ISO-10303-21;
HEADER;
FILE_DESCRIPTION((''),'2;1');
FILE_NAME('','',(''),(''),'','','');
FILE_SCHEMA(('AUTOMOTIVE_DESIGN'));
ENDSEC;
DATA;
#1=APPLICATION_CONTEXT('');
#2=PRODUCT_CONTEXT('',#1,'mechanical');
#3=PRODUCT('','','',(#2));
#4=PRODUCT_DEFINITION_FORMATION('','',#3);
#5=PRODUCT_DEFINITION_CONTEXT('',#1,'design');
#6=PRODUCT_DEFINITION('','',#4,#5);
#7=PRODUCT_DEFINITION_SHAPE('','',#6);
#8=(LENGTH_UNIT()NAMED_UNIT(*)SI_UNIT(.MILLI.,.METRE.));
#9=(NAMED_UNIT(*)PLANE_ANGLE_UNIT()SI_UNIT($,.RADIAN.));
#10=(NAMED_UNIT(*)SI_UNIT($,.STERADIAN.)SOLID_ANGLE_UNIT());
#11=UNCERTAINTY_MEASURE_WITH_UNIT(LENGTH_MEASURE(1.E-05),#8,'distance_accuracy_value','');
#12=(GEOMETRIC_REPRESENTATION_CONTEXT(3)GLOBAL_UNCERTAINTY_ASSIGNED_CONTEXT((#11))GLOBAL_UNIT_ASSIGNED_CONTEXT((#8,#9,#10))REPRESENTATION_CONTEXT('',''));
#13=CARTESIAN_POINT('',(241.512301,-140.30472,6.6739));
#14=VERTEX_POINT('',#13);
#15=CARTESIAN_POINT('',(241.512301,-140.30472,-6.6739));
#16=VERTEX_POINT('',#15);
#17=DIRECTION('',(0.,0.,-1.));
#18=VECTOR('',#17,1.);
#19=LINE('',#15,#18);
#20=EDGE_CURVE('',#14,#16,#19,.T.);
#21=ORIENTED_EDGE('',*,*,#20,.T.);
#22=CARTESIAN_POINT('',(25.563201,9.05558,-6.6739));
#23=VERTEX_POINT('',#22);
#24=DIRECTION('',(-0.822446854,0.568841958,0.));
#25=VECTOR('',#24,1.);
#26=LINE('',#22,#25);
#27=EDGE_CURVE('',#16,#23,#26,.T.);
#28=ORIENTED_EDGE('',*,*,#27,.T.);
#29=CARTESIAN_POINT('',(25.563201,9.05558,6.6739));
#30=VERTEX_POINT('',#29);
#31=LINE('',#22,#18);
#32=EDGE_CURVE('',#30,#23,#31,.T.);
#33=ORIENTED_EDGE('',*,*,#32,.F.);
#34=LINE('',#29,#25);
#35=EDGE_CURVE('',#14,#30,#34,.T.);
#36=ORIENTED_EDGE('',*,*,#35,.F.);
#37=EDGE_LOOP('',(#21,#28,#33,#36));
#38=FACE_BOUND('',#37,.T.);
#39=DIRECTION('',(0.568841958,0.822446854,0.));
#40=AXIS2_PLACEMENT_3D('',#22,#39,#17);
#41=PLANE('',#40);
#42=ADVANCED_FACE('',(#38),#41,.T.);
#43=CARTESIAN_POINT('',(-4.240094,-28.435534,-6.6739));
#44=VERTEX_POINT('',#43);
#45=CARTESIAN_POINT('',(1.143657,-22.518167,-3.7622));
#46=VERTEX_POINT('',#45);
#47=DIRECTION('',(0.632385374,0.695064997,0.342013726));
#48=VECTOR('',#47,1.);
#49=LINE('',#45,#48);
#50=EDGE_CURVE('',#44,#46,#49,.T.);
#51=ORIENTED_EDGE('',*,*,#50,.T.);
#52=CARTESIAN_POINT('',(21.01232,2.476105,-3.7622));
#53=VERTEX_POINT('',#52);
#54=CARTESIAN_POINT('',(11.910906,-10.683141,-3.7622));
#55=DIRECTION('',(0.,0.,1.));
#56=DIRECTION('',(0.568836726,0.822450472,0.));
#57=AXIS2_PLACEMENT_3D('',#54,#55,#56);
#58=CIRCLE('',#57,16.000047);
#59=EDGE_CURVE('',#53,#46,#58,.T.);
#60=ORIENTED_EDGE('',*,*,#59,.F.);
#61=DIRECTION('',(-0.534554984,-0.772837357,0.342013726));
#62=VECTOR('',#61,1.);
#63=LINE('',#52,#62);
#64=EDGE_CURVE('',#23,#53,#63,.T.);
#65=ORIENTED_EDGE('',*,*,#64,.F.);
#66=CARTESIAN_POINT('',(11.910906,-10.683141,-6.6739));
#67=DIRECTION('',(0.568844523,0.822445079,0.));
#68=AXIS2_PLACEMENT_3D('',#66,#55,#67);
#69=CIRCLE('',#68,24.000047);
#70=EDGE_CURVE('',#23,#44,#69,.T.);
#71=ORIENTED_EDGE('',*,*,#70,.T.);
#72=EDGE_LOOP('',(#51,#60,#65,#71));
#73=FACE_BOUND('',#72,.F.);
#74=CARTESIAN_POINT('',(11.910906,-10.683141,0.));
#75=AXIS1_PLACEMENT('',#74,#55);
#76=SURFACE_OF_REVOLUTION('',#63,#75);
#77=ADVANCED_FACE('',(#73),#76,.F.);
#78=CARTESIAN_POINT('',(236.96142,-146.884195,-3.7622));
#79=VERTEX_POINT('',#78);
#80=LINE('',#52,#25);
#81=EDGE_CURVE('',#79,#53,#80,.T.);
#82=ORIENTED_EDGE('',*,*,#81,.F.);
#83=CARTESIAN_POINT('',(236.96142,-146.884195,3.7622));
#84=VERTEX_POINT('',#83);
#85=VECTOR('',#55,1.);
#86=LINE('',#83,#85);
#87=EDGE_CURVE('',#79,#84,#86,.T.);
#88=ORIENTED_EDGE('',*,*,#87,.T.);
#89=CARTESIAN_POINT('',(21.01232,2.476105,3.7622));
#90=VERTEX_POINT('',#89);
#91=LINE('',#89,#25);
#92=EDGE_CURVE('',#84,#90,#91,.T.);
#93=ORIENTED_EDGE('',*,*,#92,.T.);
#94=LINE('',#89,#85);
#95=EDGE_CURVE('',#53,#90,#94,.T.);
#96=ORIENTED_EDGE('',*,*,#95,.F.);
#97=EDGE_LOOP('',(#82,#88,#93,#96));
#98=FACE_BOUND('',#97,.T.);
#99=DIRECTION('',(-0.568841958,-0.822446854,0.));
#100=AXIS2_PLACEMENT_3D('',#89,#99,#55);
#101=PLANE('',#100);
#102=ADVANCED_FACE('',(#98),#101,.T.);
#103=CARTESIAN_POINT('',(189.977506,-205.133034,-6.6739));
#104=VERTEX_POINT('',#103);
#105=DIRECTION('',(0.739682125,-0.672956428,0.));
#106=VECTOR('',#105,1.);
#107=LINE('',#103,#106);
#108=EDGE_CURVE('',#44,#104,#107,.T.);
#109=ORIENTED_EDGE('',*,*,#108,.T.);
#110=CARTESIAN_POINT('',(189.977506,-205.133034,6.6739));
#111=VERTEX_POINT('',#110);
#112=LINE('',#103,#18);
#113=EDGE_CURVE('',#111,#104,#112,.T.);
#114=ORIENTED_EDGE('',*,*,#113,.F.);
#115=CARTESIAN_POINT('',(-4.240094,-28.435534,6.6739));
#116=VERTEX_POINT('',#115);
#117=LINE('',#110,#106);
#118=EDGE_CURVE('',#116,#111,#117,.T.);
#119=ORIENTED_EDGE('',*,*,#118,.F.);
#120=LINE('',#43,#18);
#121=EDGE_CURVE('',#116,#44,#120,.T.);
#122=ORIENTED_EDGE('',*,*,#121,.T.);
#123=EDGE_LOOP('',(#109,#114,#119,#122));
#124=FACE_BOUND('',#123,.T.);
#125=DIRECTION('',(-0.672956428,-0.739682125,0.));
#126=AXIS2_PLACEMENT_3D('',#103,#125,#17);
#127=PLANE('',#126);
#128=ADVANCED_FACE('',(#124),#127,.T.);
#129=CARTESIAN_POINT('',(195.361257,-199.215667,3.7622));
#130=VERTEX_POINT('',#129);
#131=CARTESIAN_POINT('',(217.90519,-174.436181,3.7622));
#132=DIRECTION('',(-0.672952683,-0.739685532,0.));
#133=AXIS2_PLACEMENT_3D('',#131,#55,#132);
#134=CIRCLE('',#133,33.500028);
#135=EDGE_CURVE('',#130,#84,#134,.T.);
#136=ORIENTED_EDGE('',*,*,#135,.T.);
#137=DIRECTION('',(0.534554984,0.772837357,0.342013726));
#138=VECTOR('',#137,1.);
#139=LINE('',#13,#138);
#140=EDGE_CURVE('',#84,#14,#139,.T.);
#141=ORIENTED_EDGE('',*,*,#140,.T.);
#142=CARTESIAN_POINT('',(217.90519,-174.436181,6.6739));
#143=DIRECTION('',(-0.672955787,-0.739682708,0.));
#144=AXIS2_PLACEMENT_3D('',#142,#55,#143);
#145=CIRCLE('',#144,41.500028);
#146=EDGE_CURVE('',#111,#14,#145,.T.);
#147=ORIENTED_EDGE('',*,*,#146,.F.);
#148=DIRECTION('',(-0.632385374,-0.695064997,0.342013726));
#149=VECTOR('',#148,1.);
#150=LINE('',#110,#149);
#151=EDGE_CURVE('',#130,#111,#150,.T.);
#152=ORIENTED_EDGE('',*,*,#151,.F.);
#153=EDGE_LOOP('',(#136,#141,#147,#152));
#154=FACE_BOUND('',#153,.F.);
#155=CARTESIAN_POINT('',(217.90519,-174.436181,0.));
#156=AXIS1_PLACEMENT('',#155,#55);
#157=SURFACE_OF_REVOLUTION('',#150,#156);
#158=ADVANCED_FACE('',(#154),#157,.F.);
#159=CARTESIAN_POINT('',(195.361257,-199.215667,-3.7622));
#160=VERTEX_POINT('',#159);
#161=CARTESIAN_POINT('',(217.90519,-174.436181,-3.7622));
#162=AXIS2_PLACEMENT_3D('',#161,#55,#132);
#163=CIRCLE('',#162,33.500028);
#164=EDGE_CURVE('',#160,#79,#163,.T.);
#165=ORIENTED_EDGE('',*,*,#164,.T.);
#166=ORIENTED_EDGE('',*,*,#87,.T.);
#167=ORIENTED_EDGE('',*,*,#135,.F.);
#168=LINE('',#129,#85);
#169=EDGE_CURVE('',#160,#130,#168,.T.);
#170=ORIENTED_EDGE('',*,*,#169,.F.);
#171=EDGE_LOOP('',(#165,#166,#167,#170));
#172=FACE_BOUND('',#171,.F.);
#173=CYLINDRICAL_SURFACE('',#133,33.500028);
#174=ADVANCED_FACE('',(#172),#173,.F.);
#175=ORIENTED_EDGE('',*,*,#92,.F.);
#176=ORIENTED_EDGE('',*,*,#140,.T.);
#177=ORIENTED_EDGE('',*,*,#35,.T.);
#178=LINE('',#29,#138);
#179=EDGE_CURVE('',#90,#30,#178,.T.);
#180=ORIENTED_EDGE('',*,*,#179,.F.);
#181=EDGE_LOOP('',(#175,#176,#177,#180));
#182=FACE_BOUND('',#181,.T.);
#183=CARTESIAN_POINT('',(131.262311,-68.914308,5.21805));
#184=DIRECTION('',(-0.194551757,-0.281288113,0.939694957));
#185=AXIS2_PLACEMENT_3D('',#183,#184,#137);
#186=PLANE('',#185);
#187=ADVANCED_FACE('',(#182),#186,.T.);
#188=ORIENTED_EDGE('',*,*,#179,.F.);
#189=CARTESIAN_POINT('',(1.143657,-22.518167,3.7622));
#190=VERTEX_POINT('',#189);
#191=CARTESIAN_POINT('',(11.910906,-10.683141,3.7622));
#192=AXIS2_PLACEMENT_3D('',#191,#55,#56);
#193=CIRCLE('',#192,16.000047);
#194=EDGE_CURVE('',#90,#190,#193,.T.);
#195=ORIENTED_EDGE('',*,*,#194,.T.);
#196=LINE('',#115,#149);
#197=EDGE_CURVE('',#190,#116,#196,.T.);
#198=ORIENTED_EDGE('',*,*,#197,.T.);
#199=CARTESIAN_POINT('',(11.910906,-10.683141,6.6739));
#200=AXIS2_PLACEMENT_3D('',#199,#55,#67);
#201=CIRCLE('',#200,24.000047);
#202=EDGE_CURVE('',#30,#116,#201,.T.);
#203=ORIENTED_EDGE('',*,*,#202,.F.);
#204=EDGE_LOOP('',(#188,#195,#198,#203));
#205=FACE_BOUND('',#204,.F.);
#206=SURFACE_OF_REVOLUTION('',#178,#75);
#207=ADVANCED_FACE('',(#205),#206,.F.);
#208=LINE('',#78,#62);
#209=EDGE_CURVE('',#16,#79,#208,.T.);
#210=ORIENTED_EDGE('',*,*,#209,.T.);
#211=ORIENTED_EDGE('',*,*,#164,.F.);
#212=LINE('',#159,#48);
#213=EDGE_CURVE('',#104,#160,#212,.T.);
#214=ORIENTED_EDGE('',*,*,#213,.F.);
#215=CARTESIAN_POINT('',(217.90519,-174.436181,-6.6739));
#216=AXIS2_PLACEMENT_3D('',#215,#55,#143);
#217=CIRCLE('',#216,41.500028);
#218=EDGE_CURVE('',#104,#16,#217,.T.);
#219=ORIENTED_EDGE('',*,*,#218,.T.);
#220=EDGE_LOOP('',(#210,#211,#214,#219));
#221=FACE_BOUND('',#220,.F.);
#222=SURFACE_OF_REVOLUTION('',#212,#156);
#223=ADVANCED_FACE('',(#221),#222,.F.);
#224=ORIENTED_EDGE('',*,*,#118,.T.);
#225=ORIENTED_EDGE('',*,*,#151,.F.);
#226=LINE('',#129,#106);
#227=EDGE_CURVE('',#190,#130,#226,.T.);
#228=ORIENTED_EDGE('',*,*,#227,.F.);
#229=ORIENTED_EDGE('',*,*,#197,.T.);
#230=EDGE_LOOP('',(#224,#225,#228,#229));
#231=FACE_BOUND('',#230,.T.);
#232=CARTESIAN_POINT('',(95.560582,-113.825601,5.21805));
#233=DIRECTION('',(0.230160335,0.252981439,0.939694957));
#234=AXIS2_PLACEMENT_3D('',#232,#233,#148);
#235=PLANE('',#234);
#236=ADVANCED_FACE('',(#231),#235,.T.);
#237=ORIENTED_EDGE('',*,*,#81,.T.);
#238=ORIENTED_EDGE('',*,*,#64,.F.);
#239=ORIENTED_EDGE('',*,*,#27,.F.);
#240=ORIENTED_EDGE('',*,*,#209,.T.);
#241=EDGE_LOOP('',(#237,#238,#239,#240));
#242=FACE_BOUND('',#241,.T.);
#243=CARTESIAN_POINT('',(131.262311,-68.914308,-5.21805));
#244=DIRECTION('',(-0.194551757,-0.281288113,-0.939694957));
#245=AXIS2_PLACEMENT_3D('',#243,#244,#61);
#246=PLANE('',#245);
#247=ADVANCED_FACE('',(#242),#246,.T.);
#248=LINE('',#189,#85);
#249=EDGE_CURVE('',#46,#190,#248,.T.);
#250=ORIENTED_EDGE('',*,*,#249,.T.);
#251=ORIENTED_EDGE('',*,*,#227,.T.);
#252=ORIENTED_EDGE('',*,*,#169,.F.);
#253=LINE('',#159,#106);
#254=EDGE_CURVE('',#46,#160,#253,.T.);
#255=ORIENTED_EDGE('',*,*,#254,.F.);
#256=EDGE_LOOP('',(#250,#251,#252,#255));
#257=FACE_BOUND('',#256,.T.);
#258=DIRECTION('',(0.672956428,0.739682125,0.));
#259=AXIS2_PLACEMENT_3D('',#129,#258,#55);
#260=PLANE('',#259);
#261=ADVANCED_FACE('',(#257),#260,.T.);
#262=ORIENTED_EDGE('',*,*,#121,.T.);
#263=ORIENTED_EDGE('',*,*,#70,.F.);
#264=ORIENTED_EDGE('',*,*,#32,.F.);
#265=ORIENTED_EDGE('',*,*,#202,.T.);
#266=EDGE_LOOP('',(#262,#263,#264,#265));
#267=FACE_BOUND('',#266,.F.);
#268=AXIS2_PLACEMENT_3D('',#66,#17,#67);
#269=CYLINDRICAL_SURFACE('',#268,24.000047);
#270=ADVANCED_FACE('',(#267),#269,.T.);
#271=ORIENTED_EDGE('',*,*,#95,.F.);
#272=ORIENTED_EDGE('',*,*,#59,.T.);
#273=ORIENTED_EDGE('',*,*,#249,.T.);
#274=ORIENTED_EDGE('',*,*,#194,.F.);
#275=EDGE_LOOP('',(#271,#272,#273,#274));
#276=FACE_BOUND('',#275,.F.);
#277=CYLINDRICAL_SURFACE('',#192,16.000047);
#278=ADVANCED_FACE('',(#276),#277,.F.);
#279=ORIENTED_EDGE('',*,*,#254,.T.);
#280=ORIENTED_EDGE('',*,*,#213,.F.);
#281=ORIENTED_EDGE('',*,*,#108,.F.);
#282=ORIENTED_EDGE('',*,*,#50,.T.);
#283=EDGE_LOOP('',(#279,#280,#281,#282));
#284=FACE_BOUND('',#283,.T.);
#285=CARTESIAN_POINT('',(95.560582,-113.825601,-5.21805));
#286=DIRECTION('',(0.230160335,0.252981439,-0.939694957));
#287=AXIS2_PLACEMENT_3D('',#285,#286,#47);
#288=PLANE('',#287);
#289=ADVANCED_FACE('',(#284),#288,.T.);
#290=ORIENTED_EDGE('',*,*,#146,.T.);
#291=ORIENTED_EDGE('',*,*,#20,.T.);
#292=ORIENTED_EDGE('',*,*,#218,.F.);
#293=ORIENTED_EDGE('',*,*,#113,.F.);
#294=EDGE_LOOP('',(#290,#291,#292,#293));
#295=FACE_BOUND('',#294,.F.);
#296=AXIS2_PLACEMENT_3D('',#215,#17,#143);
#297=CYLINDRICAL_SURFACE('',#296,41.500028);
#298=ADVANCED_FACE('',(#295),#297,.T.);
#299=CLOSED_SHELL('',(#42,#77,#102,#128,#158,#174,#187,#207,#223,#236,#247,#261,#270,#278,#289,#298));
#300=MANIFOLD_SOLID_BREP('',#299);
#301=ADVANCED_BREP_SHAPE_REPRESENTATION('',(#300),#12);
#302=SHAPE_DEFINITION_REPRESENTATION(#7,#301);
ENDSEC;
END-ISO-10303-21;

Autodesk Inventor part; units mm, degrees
ref_plane "YZ Plane" through (0, 0, 0) normal (1, 0, 0) x (0, 1, 0)
ref_plane "XZ Plane" through (0, 0, 0) normal (0, 1, 0) x (-1, 0, 0)
sketch "Эскизная траектория" plane through (0, 0, 0) normal (0, 0, 1) x (1, 0, 0)
  arc A0 (23.7284, 6.4029) -> (-2.0695, -26.0498) centre (11.9109, -10.6831) ccw
  arc A1 (192.1481, -202.7473) -> (239.6775, -142.9574) centre (217.9052, -174.4363) ccw
  line L0 (192.1481, -202.7473) -> (-2.0695, -26.0498)
  line L1 (23.7284, 6.4029) -> (239.6775, -142.9574)
ref_plane "Плоскость сечения" through (-2.0695, -26.0498, 0) normal (0.7397, -0.673, 0) x (0, 0, 1)
sketch "Сечение" plane through (-2.0695, -26.0498, 0) normal (0.7397, -0.673, 0) x (0, 0, 1)
  line L0 (0, 3.2254) -> (0, -4.7746) construction
  line L1 (-5.5, 0) -> (5.5, 0) construction
  line L2 (-6.6739, 3.2254) -> (6.6739, 3.2254)
  line L3 (6.6739, 3.2254) -> (3.7622, -4.7746)
  line L4 (3.7622, -4.7746) -> (-3.7622, -4.7746)
  line L5 (-3.7622, -4.7746) -> (-6.6739, 3.2254)
  point P0 (0, 0)
  point P1 (0, 0)
  point P2 (0, 0)
  dimension "d0" = 11
  dimension "d1" = 3.2254
  dimension "d2" = 40
  dimension "d3" = 8
sweep "Ремень" add profiles "Сечение" path "Эскизная траектория"
equation "\"d0\" = da_Bw"
equation "\"d1\" = da_Hw"
equation "\"d2\" = da_Alfa"
equation "\"d3\" = da_H"
equation "\"da_Alfa\" = 40deg"
equation "\"da_H\" = 8"
equation "\"da_Bw\" = 11"
equation "\"da_Hw\" = 3.22535"
properties part number "Клиновой ремень" material "Rubber"
